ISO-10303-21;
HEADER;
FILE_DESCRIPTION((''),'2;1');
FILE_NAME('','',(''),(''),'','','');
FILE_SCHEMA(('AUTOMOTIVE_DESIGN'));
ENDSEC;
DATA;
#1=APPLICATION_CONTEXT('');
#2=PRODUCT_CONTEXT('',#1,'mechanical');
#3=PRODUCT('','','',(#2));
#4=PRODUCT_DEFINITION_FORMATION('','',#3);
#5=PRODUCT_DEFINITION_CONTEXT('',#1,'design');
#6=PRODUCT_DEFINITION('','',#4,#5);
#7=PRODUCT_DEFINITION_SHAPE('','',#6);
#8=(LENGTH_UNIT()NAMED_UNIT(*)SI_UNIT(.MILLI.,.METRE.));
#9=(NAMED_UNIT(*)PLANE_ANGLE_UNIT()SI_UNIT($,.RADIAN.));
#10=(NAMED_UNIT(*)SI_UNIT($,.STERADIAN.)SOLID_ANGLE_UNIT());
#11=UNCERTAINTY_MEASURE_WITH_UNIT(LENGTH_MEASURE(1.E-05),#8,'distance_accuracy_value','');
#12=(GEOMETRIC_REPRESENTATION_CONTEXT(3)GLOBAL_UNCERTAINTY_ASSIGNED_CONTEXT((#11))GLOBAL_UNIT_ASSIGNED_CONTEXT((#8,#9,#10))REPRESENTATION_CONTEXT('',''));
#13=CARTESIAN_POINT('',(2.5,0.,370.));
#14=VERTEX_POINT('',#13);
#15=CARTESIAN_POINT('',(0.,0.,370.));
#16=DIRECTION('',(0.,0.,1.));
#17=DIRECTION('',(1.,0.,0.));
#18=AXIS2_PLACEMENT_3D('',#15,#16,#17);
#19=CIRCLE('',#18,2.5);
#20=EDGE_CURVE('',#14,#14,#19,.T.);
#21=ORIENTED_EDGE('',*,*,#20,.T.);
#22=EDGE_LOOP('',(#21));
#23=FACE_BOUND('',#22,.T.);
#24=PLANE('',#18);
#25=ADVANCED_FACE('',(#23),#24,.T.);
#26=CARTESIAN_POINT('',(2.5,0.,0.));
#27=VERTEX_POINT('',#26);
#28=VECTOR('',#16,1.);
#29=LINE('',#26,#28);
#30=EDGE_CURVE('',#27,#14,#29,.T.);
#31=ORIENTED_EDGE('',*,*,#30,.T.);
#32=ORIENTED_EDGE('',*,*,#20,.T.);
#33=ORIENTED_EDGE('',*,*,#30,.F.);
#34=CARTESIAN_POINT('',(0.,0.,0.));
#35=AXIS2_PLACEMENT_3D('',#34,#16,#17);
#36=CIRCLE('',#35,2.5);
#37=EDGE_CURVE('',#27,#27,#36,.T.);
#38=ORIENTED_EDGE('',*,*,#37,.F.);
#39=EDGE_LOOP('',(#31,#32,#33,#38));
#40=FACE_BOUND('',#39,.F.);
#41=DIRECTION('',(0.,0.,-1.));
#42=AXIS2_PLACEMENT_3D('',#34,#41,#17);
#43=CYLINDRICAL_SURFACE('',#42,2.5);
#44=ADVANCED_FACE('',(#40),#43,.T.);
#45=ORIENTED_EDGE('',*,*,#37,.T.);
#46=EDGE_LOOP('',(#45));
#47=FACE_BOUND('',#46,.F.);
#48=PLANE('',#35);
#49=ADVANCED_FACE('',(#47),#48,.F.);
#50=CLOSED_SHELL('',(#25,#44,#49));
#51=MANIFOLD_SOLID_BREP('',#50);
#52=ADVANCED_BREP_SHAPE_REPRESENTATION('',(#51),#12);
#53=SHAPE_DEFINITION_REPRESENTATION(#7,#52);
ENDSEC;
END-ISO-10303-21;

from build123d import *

# Parameters (mm, degrees)
SKETCH1_R           = 2.5
BOSS_EXTRUDE1_DEPTH = 370


with BuildPart() as part:
    # Sketch1 → Boss-Extrude1 (new body)
    with BuildSketch(Plane.XY):
        Circle(SKETCH1_R)
    extrude(amount=BOSS_EXTRUDE1_DEPTH)


solid = part.part
